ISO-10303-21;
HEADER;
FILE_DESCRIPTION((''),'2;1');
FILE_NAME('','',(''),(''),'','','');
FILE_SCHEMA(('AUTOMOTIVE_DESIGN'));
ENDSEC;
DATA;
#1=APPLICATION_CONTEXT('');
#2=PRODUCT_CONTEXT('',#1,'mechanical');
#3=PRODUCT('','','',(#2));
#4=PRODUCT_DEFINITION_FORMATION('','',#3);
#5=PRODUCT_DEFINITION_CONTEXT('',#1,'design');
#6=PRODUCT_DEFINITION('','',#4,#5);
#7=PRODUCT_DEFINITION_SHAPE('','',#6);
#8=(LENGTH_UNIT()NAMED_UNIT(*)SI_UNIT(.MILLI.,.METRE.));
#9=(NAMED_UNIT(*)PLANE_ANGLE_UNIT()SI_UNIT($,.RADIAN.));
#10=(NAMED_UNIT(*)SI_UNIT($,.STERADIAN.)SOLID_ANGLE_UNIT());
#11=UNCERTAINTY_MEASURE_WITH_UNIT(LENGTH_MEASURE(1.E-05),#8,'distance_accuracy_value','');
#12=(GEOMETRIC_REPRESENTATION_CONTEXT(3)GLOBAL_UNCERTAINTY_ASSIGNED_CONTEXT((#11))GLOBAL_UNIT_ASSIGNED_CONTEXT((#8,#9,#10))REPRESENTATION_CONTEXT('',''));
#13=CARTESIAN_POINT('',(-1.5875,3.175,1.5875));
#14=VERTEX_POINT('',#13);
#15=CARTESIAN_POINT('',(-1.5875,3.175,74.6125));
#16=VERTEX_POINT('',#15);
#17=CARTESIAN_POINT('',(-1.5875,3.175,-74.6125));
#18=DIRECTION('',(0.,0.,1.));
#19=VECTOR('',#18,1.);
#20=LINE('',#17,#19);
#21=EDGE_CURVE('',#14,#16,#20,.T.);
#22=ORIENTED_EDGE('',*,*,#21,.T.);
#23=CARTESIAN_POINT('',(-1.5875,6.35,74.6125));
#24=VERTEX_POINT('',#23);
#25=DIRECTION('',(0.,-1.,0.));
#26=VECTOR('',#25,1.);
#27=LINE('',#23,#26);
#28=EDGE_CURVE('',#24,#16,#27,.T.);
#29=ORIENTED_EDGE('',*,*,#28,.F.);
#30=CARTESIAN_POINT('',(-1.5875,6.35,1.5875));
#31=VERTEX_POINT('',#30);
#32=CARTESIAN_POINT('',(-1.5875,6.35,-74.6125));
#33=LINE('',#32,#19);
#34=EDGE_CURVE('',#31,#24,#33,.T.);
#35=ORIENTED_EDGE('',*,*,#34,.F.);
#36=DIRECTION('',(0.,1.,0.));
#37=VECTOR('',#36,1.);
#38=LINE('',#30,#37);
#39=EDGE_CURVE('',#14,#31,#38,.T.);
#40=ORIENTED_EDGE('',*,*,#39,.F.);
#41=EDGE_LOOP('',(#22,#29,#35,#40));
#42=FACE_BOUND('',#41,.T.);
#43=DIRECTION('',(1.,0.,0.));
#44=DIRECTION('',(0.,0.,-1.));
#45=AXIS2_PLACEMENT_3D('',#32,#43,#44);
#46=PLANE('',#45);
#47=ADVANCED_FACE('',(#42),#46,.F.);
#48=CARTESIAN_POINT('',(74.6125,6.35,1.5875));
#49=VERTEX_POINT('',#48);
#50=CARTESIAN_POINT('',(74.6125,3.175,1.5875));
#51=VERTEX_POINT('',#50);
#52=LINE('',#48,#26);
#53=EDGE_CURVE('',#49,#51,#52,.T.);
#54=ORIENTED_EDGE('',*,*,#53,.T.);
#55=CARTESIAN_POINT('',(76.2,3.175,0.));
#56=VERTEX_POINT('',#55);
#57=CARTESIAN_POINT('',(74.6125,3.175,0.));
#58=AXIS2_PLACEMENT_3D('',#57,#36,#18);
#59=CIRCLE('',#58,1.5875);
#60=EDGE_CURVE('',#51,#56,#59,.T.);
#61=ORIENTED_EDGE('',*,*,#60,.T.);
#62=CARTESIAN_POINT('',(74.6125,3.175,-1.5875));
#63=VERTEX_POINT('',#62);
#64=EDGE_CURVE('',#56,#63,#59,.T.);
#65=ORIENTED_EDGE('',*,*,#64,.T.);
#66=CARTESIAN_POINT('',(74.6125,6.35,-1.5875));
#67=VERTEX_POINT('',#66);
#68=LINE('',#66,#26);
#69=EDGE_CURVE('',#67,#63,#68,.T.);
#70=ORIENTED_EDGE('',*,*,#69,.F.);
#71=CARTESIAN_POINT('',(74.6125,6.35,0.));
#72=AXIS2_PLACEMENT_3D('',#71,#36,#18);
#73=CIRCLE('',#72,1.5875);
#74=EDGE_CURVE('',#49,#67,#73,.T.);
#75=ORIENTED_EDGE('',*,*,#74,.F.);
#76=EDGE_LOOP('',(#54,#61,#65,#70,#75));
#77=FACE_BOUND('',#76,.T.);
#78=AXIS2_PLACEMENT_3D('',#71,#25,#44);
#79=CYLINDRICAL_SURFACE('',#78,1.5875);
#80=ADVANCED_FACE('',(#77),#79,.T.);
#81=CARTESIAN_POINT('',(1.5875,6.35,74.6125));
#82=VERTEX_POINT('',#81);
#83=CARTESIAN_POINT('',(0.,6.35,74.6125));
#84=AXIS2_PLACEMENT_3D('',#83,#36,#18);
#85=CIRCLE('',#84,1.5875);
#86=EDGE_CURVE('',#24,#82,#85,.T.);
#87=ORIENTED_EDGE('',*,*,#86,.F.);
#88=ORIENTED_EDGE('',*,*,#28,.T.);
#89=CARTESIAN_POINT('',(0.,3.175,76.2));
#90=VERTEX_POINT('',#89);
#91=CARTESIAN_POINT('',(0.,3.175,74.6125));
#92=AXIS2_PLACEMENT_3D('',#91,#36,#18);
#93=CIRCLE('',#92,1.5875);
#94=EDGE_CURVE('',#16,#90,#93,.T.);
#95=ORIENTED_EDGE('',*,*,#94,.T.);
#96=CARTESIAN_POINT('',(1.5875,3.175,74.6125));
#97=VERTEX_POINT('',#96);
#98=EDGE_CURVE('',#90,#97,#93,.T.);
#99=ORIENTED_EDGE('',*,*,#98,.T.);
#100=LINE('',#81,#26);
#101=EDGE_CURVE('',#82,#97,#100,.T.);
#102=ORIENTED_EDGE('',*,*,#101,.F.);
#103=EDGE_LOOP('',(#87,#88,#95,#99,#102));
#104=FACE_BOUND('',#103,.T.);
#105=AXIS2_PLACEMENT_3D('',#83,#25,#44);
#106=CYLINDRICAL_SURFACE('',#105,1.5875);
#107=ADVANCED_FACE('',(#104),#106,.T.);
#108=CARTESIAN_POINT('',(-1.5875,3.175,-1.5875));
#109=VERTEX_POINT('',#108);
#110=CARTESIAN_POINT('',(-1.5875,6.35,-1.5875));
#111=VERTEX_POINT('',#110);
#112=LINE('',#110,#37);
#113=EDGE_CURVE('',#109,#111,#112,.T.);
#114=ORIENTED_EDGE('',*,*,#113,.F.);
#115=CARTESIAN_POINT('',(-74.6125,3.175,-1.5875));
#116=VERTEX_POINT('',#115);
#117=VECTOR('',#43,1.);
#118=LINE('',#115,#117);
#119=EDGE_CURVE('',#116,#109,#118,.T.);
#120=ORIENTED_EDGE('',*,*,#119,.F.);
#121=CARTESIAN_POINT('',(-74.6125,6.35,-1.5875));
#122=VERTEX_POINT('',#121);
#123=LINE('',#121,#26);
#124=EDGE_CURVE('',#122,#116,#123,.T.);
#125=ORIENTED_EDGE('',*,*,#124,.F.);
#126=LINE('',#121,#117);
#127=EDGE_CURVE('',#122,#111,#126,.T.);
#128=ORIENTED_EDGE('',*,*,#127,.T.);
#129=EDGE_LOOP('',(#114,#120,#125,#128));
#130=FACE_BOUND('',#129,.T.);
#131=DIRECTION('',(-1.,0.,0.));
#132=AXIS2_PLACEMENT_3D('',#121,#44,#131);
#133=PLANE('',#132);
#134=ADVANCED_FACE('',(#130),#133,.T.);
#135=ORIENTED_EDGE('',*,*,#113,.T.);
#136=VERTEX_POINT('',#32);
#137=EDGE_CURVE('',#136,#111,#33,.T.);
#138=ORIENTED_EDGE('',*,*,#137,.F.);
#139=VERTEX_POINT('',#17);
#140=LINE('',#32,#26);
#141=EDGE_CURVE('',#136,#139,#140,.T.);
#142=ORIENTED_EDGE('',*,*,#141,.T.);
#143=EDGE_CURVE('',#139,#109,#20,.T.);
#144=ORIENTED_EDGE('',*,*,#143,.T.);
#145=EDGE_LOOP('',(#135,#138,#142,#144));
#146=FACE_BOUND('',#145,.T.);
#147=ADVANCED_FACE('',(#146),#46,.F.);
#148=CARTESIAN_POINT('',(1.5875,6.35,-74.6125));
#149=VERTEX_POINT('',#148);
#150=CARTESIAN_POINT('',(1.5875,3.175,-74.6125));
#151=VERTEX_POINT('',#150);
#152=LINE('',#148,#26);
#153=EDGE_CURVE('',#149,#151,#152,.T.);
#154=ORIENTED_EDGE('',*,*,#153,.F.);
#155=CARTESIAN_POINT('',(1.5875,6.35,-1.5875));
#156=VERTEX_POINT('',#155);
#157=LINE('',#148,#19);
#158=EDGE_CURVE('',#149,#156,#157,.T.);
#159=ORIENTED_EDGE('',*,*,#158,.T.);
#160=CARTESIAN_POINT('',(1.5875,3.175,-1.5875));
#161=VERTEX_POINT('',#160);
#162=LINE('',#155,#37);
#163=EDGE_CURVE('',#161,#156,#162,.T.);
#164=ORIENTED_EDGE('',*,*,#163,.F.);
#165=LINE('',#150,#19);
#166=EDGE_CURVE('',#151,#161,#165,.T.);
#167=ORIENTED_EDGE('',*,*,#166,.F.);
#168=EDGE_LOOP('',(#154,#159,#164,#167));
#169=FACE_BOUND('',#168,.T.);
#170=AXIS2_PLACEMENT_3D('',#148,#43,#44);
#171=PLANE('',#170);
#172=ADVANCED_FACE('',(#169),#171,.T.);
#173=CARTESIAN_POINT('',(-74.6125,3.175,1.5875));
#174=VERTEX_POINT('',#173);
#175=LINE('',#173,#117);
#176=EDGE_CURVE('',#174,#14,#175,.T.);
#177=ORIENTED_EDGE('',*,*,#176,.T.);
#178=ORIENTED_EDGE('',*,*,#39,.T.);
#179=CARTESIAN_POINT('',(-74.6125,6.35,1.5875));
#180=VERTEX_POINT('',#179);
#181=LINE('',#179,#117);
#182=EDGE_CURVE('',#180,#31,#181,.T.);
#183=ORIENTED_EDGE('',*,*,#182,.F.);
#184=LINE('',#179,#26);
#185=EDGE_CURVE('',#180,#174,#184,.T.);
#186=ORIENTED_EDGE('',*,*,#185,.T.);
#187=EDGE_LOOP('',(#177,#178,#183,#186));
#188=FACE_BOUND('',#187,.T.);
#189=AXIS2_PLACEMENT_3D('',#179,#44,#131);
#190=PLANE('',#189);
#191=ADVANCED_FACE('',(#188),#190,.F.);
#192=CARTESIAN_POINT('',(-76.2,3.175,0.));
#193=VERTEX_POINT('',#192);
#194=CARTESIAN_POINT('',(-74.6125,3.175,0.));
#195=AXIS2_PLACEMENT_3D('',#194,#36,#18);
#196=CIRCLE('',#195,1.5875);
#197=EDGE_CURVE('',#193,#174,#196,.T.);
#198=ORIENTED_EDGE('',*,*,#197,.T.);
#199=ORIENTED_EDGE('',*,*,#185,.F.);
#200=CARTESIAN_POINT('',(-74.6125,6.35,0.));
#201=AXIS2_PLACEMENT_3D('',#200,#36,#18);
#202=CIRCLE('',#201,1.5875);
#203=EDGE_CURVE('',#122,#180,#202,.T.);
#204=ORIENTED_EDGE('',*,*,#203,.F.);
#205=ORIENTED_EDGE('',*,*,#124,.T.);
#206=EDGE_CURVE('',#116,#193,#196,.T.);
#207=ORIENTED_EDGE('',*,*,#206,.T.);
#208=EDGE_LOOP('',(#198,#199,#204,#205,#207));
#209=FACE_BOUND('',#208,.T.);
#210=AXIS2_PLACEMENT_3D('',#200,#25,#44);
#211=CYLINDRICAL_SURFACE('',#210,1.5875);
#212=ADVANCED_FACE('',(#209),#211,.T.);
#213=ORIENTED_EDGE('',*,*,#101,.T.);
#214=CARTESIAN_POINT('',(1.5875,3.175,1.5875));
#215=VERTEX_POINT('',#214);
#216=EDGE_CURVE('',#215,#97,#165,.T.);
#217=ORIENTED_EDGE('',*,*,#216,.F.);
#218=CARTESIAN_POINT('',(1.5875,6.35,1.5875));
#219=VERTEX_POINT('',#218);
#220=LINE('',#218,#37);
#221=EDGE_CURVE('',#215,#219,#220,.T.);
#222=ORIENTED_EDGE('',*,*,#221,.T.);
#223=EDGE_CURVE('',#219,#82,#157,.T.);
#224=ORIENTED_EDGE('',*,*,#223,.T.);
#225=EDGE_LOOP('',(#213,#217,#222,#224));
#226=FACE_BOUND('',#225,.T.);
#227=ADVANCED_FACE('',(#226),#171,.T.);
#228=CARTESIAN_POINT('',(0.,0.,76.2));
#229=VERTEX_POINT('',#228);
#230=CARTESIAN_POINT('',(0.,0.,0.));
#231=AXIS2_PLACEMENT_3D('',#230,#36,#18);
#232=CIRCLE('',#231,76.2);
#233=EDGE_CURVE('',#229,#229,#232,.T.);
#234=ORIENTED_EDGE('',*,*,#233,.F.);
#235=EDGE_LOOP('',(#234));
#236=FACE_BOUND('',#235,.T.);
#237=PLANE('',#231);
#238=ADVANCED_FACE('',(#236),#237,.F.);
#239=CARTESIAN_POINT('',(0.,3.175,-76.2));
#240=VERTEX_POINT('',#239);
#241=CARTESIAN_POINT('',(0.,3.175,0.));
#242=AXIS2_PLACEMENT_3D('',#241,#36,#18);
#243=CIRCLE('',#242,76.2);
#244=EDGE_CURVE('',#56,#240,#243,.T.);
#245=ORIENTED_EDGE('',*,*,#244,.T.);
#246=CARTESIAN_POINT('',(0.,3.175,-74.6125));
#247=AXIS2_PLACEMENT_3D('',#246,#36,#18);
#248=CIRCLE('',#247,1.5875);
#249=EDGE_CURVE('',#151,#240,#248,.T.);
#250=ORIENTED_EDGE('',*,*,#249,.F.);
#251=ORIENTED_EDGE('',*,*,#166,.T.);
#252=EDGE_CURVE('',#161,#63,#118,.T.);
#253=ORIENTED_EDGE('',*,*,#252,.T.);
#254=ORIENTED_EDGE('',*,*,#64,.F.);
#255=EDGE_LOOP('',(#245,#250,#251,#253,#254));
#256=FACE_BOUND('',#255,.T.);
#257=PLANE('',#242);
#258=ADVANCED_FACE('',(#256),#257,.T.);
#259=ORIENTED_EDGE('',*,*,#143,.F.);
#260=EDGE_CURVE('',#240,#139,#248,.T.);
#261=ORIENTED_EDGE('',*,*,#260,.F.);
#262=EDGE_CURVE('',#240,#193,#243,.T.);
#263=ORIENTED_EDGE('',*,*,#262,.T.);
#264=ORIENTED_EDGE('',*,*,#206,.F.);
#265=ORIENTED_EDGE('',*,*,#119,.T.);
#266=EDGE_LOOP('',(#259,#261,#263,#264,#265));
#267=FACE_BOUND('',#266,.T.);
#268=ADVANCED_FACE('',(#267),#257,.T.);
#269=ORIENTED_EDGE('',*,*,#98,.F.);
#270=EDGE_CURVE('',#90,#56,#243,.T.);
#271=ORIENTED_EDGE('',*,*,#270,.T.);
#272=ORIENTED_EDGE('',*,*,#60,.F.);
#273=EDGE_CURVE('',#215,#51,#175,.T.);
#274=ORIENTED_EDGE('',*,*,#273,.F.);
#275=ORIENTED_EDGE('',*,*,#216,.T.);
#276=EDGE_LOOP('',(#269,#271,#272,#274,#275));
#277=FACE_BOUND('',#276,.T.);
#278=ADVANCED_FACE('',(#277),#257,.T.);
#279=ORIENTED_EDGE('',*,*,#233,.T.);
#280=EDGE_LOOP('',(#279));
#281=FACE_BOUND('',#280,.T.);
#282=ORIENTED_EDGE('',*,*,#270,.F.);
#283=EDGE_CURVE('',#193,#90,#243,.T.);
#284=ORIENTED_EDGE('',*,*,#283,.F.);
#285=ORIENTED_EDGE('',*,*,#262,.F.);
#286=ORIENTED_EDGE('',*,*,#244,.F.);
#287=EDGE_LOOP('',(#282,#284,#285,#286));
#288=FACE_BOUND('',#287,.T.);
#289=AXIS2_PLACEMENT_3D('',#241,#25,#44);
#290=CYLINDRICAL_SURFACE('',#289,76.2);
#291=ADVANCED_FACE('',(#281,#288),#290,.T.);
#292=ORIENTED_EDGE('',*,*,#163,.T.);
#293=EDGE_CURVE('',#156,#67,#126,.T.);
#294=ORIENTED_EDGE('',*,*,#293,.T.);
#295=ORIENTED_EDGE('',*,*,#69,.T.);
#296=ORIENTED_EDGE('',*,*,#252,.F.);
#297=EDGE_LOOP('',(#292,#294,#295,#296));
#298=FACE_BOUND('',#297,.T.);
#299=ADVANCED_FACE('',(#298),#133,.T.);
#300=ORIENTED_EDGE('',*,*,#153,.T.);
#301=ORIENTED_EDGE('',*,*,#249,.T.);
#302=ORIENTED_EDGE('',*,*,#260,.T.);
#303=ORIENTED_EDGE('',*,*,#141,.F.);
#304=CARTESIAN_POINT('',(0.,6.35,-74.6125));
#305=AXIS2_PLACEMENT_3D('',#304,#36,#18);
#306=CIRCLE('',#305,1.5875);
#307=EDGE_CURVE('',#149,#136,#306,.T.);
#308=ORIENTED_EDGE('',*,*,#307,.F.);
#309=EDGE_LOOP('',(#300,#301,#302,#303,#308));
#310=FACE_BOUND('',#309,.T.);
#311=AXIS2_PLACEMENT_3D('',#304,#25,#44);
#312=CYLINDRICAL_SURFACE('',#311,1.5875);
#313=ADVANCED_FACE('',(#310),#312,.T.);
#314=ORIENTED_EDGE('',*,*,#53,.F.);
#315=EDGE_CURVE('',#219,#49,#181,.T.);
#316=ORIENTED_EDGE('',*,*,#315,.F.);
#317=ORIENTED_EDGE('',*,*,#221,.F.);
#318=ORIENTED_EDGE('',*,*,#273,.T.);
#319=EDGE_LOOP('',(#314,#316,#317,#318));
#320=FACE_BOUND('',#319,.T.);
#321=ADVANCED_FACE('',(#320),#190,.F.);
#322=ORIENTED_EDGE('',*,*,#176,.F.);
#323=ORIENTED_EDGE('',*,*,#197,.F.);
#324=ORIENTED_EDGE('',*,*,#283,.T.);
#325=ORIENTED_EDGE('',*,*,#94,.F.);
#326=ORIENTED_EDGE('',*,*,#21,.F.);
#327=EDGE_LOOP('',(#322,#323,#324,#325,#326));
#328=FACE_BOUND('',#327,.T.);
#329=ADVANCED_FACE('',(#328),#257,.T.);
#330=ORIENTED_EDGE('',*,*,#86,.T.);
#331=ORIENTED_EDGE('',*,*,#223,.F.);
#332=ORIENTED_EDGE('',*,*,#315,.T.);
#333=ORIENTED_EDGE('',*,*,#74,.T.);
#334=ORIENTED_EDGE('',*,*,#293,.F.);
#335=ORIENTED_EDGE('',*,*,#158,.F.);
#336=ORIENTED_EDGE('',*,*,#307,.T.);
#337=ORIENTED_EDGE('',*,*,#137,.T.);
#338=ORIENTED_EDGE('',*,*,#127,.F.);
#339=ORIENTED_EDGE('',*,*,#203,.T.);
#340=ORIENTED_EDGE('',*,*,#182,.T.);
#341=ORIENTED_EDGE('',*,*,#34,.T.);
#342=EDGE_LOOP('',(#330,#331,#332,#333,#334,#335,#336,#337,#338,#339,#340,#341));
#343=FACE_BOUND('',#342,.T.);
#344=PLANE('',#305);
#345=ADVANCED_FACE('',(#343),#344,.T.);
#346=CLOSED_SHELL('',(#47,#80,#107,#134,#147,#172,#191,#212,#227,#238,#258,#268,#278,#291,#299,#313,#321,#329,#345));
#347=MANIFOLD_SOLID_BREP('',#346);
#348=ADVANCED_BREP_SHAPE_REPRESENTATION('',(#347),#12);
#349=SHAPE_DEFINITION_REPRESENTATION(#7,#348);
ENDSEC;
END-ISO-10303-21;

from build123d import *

# Parameters (mm, degrees)
SKETCH1_R           = 76.2
BOSS_EXTRUDE1_DEPTH = 3.175
BOSS_EXTRUDE2_DEPTH = 3.175


with BuildPart() as part:
    # Sketch1 → Boss-Extrude1 (new body)
    with BuildSketch(Plane(origin=(0, 0, 0), x_dir=(1, 0, 0), z_dir=(0, 1, 0))):
        Circle(SKETCH1_R)
    extrude(amount=BOSS_EXTRUDE1_DEPTH)

    # Sketch2 → Boss-Extrude2 (add)
    with BuildSketch(Plane(origin=(0, 3.175, 0), x_dir=(1, 0, 0), z_dir=(0, 1, 0))):
        with BuildLine():
            Line((-74.6125, 1.5875), (74.6125, 1.5875))
            ThreePointArc((74.6125, 1.5875), (76.2, 0), (74.6125, -1.5875))
            Line((74.6125, -1.5875), (-74.6125, -1.5875))
            ThreePointArc((-74.6125, -1.5875), (-76.2, 0), (-74.6125, 1.5875))
        make_face()
        with BuildLine():
            Line((1.5875, 74.6125), (1.5875, -74.6125))
            ThreePointArc((1.5875, -74.6125), (0, -76.2), (-1.5875, -74.6125))
            Line((-1.5875, -74.6125), (-1.5875, 74.6125))
            ThreePointArc((-1.5875, 74.6125), (0, 76.2), (1.5875, 74.6125))
        make_face()
    extrude(amount=BOSS_EXTRUDE2_DEPTH)


solid = part.part
